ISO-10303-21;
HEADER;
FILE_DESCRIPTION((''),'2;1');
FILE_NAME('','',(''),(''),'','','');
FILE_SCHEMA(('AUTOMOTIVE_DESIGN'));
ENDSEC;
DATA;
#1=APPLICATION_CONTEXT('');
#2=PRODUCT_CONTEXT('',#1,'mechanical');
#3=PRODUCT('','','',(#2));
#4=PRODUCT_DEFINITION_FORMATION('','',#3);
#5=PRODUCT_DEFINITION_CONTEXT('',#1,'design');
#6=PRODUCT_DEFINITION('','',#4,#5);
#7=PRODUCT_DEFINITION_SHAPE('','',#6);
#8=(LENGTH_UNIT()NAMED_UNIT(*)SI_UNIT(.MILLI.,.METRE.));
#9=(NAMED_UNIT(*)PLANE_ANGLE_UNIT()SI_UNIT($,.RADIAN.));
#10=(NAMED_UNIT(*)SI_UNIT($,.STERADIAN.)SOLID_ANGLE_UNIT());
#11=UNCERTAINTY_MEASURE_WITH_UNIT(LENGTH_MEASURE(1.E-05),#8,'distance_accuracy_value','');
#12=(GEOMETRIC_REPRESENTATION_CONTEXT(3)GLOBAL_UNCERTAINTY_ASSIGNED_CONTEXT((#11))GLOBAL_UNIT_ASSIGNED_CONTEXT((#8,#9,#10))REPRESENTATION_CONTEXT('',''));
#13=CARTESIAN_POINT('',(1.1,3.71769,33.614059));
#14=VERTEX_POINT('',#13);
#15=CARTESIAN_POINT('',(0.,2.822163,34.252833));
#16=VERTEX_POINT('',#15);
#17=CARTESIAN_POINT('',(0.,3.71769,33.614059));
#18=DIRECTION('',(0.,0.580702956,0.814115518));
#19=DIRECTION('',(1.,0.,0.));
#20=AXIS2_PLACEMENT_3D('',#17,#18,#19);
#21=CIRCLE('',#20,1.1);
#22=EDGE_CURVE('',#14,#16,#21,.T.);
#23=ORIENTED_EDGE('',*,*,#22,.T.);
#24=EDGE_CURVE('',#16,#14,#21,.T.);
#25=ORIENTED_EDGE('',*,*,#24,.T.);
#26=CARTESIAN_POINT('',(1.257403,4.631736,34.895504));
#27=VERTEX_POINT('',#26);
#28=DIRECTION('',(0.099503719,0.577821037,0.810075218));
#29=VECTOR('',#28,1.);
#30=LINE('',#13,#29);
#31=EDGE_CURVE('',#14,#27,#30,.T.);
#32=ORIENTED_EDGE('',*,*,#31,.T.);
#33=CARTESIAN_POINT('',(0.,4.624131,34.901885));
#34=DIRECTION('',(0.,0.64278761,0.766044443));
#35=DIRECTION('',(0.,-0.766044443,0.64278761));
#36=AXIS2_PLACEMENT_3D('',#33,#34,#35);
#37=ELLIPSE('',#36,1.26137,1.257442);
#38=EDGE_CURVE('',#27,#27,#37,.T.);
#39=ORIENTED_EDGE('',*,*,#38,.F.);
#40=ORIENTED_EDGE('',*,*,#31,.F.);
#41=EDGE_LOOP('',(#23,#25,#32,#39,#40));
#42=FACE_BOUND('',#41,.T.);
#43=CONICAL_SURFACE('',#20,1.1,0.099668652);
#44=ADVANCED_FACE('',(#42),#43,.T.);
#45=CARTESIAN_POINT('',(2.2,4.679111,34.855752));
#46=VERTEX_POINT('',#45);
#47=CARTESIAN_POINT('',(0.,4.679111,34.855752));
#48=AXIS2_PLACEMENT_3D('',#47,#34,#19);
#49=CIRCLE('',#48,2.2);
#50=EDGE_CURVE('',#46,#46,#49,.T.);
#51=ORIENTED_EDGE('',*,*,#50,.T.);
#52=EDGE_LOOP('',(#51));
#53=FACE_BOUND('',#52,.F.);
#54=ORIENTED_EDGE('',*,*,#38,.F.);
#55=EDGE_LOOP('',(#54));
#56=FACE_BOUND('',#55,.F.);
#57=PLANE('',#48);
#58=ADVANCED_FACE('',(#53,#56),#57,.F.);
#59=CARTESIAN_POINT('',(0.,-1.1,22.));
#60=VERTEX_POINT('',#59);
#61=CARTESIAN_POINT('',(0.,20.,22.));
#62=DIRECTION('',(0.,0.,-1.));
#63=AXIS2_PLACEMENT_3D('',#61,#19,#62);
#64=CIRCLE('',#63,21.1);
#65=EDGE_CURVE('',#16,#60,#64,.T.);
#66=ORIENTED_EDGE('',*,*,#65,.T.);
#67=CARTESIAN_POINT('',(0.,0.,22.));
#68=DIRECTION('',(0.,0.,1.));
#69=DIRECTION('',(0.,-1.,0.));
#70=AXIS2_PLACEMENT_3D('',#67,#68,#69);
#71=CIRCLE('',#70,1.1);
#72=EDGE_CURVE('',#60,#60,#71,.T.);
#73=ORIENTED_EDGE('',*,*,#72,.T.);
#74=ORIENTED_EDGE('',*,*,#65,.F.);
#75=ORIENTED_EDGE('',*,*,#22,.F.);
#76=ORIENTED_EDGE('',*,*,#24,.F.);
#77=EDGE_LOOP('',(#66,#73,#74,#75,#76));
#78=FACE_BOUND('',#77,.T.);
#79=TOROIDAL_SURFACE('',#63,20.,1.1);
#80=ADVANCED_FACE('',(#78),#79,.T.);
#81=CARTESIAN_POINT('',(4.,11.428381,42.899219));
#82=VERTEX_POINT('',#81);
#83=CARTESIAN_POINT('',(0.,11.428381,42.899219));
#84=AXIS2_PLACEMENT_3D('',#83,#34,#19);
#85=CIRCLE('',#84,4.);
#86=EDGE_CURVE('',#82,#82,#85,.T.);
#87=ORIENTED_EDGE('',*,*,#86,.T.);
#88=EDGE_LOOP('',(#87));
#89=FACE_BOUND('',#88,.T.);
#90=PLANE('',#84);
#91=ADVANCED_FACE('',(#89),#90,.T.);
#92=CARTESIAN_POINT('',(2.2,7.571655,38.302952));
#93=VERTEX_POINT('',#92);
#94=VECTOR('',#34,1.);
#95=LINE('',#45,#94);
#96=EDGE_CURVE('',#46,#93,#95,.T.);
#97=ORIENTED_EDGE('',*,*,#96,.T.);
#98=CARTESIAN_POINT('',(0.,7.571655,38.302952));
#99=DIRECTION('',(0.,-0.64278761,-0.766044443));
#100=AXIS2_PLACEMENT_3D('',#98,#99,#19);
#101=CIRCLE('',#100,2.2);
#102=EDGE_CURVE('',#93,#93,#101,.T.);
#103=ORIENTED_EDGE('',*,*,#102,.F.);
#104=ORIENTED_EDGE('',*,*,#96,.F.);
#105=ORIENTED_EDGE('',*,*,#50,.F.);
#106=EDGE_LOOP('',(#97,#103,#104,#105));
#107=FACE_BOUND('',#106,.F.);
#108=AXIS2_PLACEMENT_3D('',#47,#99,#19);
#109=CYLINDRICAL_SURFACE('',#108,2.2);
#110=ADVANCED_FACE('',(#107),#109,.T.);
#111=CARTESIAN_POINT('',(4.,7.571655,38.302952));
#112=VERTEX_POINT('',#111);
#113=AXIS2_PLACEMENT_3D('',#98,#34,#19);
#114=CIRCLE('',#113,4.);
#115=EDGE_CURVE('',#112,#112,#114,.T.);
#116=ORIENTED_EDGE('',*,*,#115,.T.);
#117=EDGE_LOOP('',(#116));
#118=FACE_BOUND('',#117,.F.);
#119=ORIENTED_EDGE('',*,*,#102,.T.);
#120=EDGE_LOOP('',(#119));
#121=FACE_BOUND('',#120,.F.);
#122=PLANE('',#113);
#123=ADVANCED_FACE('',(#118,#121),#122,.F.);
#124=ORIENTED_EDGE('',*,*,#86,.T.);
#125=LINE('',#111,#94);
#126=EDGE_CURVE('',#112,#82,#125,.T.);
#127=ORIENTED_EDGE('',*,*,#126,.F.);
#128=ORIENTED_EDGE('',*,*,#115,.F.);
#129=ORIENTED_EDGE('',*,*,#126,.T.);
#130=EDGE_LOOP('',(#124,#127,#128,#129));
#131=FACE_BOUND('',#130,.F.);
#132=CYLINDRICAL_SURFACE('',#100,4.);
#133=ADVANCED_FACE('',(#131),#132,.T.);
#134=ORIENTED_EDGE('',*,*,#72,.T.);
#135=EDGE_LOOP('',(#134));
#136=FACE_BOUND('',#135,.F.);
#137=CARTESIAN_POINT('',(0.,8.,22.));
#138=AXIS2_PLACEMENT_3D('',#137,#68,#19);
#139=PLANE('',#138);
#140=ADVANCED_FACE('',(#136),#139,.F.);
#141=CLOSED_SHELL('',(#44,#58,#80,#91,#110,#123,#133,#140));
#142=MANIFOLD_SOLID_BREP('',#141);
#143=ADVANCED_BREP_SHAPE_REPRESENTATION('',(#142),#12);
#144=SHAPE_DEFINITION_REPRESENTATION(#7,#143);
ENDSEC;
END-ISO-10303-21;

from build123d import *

# Parameters (mm, degrees)
CONE005_ROLL_ANGLE         = -35.5
BOX001027045026_W          = 10
BOX001027045026_H          = 24
BOX001027045026_DEPTH      = 22
BOX001027045026_ROLL_ANGLE = -35.5
BOX001027045025_W          = 10
BOX001027045025_H          = 24
BOX001027045025_DEPTH      = 22
TORUS004_R                 = 1.1
TORUS004_PITCH_ANGLE       = 90
CYLINDER131_R              = 4
CYLINDER131_DEPTH          = 6
CYLINDER131_ROLL_ANGLE     = -40
CYLINDER130_R              = 2.2
CYLINDER130_DEPTH          = 10
CYLINDER130_ROLL_ANGLE     = -40


with BuildPart() as cone005:
    # Cone005 → Cone005 (revolve)
    with BuildSketch(Plane.XZ):
        Polygon((0, 0), (1.1, 0), (1.3, 2), (0, 2), align=None)
    revolve(axis=Axis((0, 0, 0), (0, 0, 1)))


with BuildPart() as cone005_1:
    # Cone005 roll: moved
    add(cone005.part.rotate(Axis((0, 0, 0), (1, 0, 0)), CONE005_ROLL_ANGLE))


with BuildPart() as cone005_2:
    # Cone005 placement: moved
    add(cone005_1.part.moved(Location((0, 3.71769, 11.614059))))


with BuildPart() as cube079:
    # Box001027045026 → Box001027045026 (new body)
    with BuildSketch(Plane.XY):
        with Locations((5, 12)):
            Rectangle(BOX001027045026_W, BOX001027045026_H)
    extrude(amount=BOX001027045026_DEPTH)


with BuildPart() as cube079_1:
    # Box001027045026 roll: moved
    add(cube079.part.rotate(Axis((0, 0, 0), (1, 0, 0)), BOX001027045026_ROLL_ANGLE))


with BuildPart() as cube079_2:
    # Box001027045026 placement: moved
    add(cube079_1.part.moved(Location((-5, 0.461228, 13.936871))))


with BuildPart() as cube078:
    # Box001027045025 → Box001027045025 (new body)
    with BuildSketch(Plane(origin=(-5, -4, 0), x_dir=(1, 0, 0), z_dir=(0, 0, 1))):
        with Locations((5, 12)):
            Rectangle(BOX001027045025_W, BOX001027045025_H)
    extrude(amount=BOX001027045025_DEPTH)


with BuildPart() as cut071:
    # Torus004 → Torus004 (revolve)
    with BuildSketch(Plane.XZ):
        with Locations((20, 0)):
            Circle(TORUS004_R)
    revolve(axis=Axis((0, 0, 0), (0, 0, 1)))


with BuildPart() as cut071_1:
    # Torus004 pitch: moved
    add(cut071.part.rotate(Axis((0, 0, 0), (0, 1, 0)), TORUS004_PITCH_ANGLE))


with BuildPart() as cut071_2:
    # Torus004 placement: moved
    add(cut071_1.part.moved(Location((0, 20, 0))))

    # Common056: intersect Cube078
    add(cube078.part, mode=Mode.INTERSECT)

    # Cut071: cut Cube079
    add(cube079_2.part, mode=Mode.SUBTRACT)


with BuildPart() as cylinder189:
    # Cylinder131 → Cylinder131 (new body)
    with BuildSketch(Plane.XY):
        Circle(CYLINDER131_R)
    extrude(amount=CYLINDER131_DEPTH)


with BuildPart() as cylinder189_1:
    # Cylinder131 roll: moved
    add(cylinder189.part.rotate(Axis((0, 0, 0), (1, 0, 0)), CYLINDER131_ROLL_ANGLE))


with BuildPart() as cylinder189_2:
    # Cylinder131 placement: moved
    add(cylinder189_1.part.moved(Location((0, 7.571655, 16.302952))))


with BuildPart() as torroidal_hole007:
    # Cylinder130 → Cylinder130 (new body)
    with BuildSketch(Plane.XY):
        Circle(CYLINDER130_R)
    extrude(amount=CYLINDER130_DEPTH)


with BuildPart() as torroidal_hole007_1:
    # Cylinder130 roll: moved
    add(torroidal_hole007.part.rotate(Axis((0, 0, 0), (1, 0, 0)), CYLINDER130_ROLL_ANGLE))


with BuildPart() as torroidal_hole007_2:
    # Cylinder130 placement: moved
    add(torroidal_hole007_1.part.moved(Location((0, 4.679111, 12.855752))))

    # Fusion112044: union Cone005, Cut071, Cylinder189
    add(cone005_2.part)
    add(cut071_2.part)
    add(cylinder189_2.part)


with BuildPart() as torroidal_hole007_3:
    # Fusion112044 placement: moved
    add(torroidal_hole007_2.part.moved(Location((0, 0, 22))))


solid = torroidal_hole007_3.part
